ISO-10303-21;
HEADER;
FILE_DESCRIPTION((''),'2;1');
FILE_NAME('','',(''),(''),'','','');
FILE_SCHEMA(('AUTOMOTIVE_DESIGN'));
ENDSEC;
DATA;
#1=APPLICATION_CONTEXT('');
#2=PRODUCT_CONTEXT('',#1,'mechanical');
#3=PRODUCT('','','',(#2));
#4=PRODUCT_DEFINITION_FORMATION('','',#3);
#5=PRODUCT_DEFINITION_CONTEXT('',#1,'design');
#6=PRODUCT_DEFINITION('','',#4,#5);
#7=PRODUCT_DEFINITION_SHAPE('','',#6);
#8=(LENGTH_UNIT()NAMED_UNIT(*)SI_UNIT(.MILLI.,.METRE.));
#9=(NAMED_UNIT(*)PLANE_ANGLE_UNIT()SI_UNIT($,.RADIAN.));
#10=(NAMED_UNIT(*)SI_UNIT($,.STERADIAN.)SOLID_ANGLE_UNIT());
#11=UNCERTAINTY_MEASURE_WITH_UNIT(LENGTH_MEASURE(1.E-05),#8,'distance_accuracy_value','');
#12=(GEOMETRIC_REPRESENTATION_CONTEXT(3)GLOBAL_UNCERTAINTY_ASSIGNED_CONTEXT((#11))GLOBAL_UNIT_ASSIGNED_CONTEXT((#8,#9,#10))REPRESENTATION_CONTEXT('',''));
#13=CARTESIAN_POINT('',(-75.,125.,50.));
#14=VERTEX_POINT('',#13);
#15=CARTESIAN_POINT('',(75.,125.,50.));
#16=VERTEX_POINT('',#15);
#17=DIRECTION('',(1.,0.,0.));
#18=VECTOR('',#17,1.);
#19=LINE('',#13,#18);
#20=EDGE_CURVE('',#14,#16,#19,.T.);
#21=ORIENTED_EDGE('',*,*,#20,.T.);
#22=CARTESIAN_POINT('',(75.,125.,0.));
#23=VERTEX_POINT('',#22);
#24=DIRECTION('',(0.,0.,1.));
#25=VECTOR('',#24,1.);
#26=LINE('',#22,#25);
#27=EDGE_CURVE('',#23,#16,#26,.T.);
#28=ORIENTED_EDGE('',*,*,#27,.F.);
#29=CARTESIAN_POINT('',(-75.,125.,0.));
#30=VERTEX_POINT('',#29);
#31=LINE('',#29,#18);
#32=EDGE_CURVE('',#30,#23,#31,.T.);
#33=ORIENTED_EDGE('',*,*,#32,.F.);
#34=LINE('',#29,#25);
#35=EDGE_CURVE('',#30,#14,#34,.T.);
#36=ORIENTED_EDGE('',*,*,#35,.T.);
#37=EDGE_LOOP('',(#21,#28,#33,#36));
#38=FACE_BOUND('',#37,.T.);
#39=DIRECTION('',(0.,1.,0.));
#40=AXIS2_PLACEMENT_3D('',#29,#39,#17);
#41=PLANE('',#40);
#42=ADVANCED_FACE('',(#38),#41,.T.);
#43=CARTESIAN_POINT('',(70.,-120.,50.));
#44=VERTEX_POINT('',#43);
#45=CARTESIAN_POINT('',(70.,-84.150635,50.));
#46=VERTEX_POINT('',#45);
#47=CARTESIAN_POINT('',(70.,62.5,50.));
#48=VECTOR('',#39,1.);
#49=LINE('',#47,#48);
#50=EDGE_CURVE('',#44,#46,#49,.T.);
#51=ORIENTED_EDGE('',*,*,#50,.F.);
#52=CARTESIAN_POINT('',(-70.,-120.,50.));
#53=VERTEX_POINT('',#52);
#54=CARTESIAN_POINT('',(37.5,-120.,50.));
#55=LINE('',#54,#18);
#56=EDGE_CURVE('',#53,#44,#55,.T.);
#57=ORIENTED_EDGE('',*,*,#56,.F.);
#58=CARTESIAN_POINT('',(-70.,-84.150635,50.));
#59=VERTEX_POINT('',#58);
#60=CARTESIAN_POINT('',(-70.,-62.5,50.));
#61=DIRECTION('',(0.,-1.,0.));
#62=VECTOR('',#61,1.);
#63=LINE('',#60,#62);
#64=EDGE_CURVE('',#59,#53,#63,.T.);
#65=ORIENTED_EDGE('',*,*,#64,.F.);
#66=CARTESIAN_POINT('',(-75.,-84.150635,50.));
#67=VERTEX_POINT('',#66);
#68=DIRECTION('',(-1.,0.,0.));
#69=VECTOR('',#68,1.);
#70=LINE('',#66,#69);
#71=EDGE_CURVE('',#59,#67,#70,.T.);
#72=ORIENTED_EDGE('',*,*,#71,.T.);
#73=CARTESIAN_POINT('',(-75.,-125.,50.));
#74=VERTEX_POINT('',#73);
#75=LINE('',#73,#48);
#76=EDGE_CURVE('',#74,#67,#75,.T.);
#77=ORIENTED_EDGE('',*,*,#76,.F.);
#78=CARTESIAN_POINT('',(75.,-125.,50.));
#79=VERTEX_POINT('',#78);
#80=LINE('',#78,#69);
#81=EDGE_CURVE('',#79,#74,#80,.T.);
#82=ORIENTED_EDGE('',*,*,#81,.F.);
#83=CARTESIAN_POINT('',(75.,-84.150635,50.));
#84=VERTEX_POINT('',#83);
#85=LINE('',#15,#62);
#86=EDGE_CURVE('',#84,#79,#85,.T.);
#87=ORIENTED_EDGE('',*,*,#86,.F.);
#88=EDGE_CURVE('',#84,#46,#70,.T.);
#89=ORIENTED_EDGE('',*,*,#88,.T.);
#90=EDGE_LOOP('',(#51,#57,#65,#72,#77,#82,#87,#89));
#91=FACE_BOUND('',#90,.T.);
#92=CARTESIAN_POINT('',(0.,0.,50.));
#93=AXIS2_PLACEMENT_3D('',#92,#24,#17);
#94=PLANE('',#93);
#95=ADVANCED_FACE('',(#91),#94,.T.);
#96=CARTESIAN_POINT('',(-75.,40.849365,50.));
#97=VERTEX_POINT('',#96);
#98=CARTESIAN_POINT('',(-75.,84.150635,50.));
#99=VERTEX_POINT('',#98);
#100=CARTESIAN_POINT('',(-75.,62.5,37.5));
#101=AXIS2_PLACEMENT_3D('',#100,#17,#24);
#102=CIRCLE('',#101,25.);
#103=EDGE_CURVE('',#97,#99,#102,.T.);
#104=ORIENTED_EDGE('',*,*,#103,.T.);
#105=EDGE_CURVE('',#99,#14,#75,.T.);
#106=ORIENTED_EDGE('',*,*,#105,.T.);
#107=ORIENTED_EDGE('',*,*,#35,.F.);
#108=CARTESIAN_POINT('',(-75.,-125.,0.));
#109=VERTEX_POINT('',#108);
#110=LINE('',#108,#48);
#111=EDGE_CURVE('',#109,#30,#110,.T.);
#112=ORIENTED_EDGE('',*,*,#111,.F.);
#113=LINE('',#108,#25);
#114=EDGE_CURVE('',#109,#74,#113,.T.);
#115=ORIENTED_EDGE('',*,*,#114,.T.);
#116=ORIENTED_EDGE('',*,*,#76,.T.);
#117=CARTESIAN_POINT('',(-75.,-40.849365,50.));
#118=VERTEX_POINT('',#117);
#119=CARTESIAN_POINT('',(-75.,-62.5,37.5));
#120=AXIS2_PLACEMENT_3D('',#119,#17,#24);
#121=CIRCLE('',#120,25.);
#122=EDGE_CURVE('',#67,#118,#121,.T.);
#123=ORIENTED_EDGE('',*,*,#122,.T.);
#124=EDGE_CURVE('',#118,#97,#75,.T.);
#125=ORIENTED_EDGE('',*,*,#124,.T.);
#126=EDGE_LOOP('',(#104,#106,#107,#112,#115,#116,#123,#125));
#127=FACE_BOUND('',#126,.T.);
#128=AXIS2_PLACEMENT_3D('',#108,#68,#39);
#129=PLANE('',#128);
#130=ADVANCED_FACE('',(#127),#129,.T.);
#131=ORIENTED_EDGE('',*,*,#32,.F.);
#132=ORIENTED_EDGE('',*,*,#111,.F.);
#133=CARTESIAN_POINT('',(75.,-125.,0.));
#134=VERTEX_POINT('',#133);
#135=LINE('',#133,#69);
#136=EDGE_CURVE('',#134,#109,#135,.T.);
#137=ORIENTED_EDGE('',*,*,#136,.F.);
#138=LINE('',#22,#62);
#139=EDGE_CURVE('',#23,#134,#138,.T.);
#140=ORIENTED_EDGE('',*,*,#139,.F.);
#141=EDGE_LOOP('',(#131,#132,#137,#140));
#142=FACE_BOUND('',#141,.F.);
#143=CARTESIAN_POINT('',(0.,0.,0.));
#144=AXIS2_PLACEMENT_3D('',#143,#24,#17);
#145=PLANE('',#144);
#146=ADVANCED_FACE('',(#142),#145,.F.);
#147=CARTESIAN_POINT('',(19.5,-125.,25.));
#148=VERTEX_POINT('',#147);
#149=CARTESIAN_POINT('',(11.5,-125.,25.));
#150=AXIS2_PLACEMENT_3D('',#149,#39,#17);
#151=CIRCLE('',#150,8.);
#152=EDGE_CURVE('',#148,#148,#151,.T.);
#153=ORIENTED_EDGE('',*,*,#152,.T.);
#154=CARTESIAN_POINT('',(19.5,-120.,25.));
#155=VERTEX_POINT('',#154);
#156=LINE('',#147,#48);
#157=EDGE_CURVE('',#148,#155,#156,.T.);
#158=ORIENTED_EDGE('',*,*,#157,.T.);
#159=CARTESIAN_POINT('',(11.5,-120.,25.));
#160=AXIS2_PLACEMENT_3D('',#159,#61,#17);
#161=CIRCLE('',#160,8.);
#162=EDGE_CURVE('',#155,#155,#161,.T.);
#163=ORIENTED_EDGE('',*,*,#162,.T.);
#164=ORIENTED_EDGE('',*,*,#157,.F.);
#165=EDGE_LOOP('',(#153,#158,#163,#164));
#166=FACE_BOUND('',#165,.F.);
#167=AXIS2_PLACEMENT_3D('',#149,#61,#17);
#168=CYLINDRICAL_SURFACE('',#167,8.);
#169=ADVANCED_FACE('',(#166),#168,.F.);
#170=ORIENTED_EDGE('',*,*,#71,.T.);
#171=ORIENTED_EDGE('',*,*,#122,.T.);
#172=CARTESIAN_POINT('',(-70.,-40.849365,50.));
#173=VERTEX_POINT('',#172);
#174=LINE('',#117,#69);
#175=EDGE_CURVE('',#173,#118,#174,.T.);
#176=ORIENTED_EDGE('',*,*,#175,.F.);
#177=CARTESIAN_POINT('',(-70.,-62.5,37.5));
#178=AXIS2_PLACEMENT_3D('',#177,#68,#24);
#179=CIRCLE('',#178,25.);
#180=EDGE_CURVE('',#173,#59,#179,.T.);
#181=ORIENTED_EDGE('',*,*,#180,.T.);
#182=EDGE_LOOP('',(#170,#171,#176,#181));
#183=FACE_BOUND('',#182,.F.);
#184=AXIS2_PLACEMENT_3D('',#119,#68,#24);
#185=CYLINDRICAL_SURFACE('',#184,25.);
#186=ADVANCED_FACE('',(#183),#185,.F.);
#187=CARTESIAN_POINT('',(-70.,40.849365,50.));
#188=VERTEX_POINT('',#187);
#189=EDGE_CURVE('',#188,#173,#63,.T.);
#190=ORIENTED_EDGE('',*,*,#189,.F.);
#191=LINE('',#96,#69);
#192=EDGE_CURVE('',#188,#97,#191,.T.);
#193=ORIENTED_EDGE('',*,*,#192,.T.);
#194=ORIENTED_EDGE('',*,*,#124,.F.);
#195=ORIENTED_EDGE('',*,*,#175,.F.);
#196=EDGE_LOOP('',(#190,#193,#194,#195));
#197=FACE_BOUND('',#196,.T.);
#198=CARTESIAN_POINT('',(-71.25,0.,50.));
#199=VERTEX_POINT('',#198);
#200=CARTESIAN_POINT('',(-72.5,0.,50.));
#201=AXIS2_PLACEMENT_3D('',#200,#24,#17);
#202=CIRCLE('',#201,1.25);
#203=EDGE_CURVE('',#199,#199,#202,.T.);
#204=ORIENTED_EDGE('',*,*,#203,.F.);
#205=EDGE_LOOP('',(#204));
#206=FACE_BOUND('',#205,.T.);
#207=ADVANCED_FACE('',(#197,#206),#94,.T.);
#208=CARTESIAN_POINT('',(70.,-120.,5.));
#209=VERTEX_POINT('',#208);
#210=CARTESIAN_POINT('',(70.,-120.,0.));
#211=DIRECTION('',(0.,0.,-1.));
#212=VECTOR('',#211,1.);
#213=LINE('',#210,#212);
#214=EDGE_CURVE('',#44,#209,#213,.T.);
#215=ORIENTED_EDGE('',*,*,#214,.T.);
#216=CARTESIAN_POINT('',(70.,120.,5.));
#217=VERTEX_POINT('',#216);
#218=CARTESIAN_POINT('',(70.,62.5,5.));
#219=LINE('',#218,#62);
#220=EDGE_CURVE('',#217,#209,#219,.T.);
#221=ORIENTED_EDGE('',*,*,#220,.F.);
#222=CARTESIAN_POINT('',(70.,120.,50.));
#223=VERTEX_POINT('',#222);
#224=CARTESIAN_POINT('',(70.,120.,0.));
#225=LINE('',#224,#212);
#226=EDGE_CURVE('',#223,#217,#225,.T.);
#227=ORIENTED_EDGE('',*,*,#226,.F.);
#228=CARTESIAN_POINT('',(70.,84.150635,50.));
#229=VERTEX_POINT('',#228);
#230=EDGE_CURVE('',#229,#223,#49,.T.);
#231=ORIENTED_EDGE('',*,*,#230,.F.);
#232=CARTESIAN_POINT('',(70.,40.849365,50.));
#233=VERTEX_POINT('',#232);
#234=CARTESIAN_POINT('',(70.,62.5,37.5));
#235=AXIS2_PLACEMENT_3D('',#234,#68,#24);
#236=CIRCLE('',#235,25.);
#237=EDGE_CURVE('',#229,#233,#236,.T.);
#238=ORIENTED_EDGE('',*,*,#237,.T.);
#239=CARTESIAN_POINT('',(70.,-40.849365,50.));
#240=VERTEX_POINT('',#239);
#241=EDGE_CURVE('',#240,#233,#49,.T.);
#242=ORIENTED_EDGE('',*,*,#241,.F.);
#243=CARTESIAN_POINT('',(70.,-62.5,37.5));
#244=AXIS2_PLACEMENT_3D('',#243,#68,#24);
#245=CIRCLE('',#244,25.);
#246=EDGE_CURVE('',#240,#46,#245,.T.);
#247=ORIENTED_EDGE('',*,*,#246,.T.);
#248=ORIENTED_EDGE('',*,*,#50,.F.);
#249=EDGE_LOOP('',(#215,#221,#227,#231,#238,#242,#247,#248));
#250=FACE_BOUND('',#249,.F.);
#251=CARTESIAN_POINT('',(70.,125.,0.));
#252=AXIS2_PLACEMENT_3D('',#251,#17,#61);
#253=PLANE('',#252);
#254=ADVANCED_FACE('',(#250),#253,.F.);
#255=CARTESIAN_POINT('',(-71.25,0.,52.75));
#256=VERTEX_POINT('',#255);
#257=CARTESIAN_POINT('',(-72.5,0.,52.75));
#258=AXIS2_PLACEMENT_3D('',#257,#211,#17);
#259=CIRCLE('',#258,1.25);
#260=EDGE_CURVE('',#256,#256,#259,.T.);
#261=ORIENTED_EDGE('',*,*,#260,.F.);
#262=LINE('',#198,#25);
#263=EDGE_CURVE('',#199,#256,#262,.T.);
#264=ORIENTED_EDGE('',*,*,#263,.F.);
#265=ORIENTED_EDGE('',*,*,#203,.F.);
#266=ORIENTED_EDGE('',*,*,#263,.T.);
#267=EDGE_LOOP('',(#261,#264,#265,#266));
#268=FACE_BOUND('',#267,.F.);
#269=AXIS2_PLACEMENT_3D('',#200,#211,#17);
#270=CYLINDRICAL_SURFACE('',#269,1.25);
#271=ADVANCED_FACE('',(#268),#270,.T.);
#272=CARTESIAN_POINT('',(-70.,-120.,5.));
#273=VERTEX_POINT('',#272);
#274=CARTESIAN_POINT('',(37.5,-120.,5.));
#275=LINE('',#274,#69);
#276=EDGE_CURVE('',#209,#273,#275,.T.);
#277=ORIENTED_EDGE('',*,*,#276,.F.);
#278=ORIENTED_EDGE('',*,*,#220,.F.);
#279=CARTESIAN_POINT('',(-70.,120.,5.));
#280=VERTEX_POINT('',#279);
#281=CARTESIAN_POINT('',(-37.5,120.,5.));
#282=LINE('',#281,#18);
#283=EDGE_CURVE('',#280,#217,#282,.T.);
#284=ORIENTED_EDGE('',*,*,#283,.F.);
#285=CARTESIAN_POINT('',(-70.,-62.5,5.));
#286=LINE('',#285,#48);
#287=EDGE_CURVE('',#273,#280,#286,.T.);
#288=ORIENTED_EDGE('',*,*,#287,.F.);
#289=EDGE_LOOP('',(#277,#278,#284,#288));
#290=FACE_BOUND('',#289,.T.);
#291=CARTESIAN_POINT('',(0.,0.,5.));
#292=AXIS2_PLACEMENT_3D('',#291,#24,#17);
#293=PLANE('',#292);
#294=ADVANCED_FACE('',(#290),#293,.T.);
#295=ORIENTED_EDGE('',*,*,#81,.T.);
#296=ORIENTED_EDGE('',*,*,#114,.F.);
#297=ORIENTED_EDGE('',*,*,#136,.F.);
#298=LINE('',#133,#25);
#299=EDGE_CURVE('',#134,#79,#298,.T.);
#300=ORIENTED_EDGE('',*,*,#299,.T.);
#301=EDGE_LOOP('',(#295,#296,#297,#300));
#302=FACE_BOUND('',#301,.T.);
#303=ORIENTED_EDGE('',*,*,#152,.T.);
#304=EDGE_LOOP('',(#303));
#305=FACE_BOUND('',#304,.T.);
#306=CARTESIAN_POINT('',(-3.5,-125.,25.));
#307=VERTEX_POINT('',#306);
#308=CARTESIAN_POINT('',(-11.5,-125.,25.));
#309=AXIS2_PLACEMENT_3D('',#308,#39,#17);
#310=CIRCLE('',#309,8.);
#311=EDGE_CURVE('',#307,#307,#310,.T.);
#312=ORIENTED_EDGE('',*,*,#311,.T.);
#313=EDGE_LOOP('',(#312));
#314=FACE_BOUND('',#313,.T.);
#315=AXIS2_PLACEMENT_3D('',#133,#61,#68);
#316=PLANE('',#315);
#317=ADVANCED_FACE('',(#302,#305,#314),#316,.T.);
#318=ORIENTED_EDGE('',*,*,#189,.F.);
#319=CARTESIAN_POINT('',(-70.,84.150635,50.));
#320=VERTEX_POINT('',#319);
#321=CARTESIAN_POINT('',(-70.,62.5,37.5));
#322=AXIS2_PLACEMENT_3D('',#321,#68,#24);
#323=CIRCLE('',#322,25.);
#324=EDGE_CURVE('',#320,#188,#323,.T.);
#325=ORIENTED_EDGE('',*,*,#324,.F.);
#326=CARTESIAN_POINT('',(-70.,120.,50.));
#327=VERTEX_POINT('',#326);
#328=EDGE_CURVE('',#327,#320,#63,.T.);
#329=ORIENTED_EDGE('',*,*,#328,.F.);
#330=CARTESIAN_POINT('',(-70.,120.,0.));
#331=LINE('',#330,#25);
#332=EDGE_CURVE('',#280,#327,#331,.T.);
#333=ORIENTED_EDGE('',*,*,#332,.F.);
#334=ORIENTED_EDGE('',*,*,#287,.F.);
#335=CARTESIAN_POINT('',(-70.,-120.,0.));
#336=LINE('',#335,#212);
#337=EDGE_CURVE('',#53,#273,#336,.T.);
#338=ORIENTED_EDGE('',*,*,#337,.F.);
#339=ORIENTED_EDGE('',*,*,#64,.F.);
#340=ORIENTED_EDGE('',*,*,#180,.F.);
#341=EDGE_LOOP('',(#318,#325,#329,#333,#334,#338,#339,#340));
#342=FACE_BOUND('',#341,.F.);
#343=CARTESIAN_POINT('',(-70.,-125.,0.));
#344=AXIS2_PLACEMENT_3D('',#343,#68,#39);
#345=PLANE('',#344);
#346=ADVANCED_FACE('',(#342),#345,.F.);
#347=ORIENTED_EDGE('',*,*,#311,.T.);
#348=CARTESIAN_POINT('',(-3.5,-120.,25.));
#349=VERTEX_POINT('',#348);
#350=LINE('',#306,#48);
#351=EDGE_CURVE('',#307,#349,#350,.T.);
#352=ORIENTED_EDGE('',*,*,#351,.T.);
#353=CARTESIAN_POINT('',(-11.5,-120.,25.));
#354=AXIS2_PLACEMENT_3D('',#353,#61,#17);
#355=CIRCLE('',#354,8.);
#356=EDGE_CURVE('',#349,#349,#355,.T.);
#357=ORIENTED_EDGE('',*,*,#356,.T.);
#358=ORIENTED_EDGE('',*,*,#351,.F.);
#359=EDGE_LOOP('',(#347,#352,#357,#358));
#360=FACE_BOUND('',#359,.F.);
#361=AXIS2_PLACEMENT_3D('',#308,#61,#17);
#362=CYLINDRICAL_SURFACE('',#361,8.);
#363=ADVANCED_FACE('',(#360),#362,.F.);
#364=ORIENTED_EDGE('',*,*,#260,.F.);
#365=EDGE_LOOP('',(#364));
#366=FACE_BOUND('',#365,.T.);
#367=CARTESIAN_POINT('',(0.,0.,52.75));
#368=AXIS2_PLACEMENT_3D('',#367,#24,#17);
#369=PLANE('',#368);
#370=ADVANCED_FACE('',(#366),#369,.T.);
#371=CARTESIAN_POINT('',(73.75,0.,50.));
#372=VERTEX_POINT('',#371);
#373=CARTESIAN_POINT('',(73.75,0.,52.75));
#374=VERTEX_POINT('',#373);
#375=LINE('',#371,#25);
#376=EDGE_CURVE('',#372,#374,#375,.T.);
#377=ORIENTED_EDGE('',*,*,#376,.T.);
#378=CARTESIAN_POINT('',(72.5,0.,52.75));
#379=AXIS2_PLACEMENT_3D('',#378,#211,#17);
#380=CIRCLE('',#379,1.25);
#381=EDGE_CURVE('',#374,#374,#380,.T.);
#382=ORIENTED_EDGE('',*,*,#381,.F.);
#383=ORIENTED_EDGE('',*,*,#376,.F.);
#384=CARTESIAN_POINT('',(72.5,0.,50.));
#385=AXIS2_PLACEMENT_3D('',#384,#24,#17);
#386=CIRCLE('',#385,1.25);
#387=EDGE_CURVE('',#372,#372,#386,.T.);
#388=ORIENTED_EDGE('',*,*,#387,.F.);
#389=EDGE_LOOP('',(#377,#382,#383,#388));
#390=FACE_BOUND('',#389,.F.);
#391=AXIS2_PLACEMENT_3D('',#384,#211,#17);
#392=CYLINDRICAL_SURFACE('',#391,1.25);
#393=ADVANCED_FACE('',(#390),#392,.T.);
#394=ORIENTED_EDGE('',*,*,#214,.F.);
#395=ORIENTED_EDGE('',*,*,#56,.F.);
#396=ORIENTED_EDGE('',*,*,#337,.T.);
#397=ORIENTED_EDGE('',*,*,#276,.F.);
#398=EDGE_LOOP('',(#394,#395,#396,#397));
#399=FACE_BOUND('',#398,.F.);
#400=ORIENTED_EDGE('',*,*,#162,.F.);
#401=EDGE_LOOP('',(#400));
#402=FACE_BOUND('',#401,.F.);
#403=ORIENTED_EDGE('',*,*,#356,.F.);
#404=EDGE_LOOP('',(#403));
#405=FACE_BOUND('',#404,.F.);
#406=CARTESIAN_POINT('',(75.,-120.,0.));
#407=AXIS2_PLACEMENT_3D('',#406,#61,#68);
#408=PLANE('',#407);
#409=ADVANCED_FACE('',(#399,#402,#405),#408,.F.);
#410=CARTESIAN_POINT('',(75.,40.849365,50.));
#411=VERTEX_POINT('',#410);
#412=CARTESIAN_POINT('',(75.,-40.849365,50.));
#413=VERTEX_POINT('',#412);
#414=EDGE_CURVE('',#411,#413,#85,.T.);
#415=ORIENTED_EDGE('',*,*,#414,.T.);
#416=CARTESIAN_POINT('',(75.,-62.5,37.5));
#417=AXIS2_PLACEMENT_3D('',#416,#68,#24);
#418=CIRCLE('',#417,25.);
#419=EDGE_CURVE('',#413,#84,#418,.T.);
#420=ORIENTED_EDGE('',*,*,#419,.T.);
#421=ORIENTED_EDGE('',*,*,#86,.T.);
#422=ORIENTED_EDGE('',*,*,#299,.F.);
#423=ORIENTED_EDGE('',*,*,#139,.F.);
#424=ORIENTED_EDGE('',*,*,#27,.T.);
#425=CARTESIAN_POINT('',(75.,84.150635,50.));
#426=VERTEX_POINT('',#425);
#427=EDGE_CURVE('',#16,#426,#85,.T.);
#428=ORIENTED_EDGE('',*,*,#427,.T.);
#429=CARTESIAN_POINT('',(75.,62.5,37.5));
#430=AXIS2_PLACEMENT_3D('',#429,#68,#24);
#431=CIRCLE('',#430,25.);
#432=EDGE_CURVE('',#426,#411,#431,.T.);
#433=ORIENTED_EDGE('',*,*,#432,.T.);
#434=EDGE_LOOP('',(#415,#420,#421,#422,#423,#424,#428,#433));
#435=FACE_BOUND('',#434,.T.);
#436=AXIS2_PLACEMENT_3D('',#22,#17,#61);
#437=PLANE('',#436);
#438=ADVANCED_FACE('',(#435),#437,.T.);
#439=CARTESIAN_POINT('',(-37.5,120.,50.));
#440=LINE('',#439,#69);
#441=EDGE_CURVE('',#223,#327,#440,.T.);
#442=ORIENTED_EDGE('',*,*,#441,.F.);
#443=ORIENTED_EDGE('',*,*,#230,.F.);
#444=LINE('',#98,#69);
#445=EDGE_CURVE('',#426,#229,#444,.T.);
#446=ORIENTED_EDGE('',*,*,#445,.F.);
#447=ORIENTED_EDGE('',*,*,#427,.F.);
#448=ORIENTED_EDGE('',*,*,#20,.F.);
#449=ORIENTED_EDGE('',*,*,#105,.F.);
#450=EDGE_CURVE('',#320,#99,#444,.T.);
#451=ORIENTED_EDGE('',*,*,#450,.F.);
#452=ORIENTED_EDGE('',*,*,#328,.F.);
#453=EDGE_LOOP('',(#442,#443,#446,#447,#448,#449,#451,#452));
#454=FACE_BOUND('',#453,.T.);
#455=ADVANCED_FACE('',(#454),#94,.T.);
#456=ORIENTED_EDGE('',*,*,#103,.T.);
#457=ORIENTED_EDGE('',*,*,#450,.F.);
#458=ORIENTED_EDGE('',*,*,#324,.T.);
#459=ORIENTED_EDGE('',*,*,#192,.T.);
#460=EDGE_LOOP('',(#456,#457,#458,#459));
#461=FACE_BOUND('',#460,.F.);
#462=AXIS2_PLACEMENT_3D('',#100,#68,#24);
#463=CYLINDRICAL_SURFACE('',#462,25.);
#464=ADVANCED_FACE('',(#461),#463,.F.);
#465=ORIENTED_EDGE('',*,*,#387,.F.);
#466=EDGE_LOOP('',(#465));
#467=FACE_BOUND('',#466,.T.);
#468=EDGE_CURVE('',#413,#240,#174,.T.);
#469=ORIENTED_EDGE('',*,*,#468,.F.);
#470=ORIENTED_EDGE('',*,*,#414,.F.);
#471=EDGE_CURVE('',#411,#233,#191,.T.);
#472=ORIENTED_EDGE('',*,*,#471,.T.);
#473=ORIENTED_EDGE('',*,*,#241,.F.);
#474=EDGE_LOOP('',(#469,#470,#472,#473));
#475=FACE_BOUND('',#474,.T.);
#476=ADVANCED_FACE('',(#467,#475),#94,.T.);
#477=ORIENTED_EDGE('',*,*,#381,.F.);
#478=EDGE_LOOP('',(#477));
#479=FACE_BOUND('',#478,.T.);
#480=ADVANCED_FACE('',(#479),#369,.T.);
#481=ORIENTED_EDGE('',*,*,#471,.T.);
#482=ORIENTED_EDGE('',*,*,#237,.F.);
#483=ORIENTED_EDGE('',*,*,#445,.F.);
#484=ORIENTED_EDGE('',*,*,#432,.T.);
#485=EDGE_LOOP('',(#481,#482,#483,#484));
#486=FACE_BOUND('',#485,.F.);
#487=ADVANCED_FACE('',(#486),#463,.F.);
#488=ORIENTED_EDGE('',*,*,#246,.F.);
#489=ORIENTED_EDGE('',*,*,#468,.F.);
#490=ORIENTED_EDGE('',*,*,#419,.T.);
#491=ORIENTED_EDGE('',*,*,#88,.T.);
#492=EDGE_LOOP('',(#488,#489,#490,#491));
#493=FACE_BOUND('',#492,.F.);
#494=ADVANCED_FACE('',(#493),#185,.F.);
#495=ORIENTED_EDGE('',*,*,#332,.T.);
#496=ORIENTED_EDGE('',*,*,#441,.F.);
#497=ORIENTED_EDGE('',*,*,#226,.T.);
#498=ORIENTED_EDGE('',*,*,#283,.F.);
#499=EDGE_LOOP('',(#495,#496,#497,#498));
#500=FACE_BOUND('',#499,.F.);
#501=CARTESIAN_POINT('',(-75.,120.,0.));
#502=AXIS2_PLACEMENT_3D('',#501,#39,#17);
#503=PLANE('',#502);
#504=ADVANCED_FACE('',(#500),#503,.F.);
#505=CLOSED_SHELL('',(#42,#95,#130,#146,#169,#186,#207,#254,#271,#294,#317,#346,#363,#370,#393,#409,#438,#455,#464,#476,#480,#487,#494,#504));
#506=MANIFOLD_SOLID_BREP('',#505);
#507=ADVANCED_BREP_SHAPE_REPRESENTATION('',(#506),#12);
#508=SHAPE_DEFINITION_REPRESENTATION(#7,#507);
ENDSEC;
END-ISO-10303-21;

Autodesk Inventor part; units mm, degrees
ref_plane "YZ Plane" through (0, 0, 0) normal (1, 0, 0) x (0, 1, 0)
ref_plane "XZ Plane" through (0, 0, 0) normal (0, 1, 0) x (-1, 0, 0)
ref_plane "XY Plane" through (0, 0, 0) normal (0, 0, 1) x (1, 0, 0)
sketch "Sketch1" plane through (0, 0, 0) normal (0, 0, 1) x (1, 0, 0)
  line L0 (-75, 125) -> (75, 125)
  line L1 (75, 125) -> (75, -125)
  line L2 (75, -125) -> (-75, -125)
  line L3 (-75, -125) -> (-75, 125)
  line L4 (-75, 125) -> (75, -125) construction
  line L5 (75, 125) -> (-75, -125) construction
  point P0 (0, 0)
  dimension "d0" = 150
  dimension "d1" = 250
extrude "Extrusion1" add sketch "Sketch1" along normal blind 50
shell "Shell1" thickness 5 removed faces 1 at (-25, -41.6667, 50)
sketch "Sketch2" plane through (-75, -125, 0) normal (0, -1, 0) x (1, 0, 0)
  line L0 (75, 0) -> (75, 50)
  line L1 (150, 50) -> (0, 50) projected
  line L2 (52.5, 35) -> (97.5, 35)
  line L3 (97.5, 35) -> (97.5, 15)
  line L4 (97.5, 15) -> (52.5, 15)
  line L5 (52.5, 15) -> (52.5, 35)
  line L6 (52.5, 35) -> (97.5, 15) construction
  line L7 (97.5, 35) -> (52.5, 15) construction
  line L8 (97.5, 25) -> (94.5, 25)
  line L9 (94.5, 25) -> (78.5, 25)
  line L10 (52.5, 25) -> (55.5, 25)
  line L11 (55.5, 25) -> (71.5, 25)
  circle A0 centre (86.5, 25) radius 8
  circle A1 centre (63.5, 25) radius 8
  point P0 (75, 25)
  dimension "d5" = 45
  dimension "d6" = 20
  dimension "d7" = 3
  dimension "d8" = 16
  dimension "d9" = 3
  dimension "d10" = 16
  dimension "d11" = 16
  dimension "d12" = 16
extrude "Extrusion2" cut sketch "Sketch2" against normal blind 86 contours A1 L11 | L11 A1 | A0 L9 | L9 A0
sketch "Sketch3" plane through (-75, -125, 0) normal (-1, 0, 0) x (0, 0, 1)
  line L0 (0, 125) -> (50, 125)
  line L1 (50, 5) -> (50, 245) projected
  line L2 (25, 125) -> (25, 0)
  line L3 (0, 0) -> (50, 0) projected
  line L4 (25, 62.5) -> (50, 62.5)
  circle A0 centre (37.5, 62.5) radius 25
  dimension "d15" = 50
extrude "Extrusion3" cut sketch "Sketch3" against normal blind 192.25 contours A0 L1 L4 L2 | L2 A0 | A0 L1 | L4 L1 A0 L2
sketch "Sketch4" plane through (-75, -125, 0) normal (-1, 0, 0) x (0, 0, 1)
  line L0 (0, 125) -> (50, 125)
  line L1 (50, 245) -> (50, 84.1506) projected
  line L2 (25, 125) -> (25, 250)
  line L3 (0, 250) -> (50, 250) projected
  line L4 (25, 187.5) -> (50, 187.5)
  circle A0 centre (37.5, 187.5) radius 25
  dimension "d18" = 50
extrude "Extrusion4" cut sketch "Sketch4" against normal blind 216.5 contours A0 L2 | L2 L4 L1 A0 | L1 A0 | L2 A0 L1 L4
sketch "Sketch5" plane through (0, 0, 50) normal (0, 0, 1) x (1, 0, 0)
  line L0 (-75, 40.8494) -> (-75, -40.8494) projected
  line L1 (-75, 0) -> (-70, 0)
  line L2 (-70, -40.8494) -> (-70, 40.8494) projected
  circle A0 centre (-72.5, 0) radius 1.25
  point P0 (0, 0)
  dimension "d21" = 2.5
extrude "Extrusion5" add sketch "Sketch5" along normal blind 2.75
sketch "Sketch6" plane through (0, 0, 50) normal (0, 0, 1) x (1, 0, 0)
  line L0 (70, 40.8494) -> (70, -40.8494) projected
  line L1 (70, 0) -> (75, 0)
  line L2 (75, -125) -> (75, 125) projected
  circle A0 centre (72.5, 0) radius 1.25
  point P0 (0, 0)
  dimension "d24" = 2.5
extrude "Extrusion6" add sketch "Sketch6" along normal blind 2.75
sketch "Sketch7" plane through (75, -125, 0) normal (1, 0, 0) x (0, 0, -1)
  point P0 (0, 125)
properties part number "broomba top"
